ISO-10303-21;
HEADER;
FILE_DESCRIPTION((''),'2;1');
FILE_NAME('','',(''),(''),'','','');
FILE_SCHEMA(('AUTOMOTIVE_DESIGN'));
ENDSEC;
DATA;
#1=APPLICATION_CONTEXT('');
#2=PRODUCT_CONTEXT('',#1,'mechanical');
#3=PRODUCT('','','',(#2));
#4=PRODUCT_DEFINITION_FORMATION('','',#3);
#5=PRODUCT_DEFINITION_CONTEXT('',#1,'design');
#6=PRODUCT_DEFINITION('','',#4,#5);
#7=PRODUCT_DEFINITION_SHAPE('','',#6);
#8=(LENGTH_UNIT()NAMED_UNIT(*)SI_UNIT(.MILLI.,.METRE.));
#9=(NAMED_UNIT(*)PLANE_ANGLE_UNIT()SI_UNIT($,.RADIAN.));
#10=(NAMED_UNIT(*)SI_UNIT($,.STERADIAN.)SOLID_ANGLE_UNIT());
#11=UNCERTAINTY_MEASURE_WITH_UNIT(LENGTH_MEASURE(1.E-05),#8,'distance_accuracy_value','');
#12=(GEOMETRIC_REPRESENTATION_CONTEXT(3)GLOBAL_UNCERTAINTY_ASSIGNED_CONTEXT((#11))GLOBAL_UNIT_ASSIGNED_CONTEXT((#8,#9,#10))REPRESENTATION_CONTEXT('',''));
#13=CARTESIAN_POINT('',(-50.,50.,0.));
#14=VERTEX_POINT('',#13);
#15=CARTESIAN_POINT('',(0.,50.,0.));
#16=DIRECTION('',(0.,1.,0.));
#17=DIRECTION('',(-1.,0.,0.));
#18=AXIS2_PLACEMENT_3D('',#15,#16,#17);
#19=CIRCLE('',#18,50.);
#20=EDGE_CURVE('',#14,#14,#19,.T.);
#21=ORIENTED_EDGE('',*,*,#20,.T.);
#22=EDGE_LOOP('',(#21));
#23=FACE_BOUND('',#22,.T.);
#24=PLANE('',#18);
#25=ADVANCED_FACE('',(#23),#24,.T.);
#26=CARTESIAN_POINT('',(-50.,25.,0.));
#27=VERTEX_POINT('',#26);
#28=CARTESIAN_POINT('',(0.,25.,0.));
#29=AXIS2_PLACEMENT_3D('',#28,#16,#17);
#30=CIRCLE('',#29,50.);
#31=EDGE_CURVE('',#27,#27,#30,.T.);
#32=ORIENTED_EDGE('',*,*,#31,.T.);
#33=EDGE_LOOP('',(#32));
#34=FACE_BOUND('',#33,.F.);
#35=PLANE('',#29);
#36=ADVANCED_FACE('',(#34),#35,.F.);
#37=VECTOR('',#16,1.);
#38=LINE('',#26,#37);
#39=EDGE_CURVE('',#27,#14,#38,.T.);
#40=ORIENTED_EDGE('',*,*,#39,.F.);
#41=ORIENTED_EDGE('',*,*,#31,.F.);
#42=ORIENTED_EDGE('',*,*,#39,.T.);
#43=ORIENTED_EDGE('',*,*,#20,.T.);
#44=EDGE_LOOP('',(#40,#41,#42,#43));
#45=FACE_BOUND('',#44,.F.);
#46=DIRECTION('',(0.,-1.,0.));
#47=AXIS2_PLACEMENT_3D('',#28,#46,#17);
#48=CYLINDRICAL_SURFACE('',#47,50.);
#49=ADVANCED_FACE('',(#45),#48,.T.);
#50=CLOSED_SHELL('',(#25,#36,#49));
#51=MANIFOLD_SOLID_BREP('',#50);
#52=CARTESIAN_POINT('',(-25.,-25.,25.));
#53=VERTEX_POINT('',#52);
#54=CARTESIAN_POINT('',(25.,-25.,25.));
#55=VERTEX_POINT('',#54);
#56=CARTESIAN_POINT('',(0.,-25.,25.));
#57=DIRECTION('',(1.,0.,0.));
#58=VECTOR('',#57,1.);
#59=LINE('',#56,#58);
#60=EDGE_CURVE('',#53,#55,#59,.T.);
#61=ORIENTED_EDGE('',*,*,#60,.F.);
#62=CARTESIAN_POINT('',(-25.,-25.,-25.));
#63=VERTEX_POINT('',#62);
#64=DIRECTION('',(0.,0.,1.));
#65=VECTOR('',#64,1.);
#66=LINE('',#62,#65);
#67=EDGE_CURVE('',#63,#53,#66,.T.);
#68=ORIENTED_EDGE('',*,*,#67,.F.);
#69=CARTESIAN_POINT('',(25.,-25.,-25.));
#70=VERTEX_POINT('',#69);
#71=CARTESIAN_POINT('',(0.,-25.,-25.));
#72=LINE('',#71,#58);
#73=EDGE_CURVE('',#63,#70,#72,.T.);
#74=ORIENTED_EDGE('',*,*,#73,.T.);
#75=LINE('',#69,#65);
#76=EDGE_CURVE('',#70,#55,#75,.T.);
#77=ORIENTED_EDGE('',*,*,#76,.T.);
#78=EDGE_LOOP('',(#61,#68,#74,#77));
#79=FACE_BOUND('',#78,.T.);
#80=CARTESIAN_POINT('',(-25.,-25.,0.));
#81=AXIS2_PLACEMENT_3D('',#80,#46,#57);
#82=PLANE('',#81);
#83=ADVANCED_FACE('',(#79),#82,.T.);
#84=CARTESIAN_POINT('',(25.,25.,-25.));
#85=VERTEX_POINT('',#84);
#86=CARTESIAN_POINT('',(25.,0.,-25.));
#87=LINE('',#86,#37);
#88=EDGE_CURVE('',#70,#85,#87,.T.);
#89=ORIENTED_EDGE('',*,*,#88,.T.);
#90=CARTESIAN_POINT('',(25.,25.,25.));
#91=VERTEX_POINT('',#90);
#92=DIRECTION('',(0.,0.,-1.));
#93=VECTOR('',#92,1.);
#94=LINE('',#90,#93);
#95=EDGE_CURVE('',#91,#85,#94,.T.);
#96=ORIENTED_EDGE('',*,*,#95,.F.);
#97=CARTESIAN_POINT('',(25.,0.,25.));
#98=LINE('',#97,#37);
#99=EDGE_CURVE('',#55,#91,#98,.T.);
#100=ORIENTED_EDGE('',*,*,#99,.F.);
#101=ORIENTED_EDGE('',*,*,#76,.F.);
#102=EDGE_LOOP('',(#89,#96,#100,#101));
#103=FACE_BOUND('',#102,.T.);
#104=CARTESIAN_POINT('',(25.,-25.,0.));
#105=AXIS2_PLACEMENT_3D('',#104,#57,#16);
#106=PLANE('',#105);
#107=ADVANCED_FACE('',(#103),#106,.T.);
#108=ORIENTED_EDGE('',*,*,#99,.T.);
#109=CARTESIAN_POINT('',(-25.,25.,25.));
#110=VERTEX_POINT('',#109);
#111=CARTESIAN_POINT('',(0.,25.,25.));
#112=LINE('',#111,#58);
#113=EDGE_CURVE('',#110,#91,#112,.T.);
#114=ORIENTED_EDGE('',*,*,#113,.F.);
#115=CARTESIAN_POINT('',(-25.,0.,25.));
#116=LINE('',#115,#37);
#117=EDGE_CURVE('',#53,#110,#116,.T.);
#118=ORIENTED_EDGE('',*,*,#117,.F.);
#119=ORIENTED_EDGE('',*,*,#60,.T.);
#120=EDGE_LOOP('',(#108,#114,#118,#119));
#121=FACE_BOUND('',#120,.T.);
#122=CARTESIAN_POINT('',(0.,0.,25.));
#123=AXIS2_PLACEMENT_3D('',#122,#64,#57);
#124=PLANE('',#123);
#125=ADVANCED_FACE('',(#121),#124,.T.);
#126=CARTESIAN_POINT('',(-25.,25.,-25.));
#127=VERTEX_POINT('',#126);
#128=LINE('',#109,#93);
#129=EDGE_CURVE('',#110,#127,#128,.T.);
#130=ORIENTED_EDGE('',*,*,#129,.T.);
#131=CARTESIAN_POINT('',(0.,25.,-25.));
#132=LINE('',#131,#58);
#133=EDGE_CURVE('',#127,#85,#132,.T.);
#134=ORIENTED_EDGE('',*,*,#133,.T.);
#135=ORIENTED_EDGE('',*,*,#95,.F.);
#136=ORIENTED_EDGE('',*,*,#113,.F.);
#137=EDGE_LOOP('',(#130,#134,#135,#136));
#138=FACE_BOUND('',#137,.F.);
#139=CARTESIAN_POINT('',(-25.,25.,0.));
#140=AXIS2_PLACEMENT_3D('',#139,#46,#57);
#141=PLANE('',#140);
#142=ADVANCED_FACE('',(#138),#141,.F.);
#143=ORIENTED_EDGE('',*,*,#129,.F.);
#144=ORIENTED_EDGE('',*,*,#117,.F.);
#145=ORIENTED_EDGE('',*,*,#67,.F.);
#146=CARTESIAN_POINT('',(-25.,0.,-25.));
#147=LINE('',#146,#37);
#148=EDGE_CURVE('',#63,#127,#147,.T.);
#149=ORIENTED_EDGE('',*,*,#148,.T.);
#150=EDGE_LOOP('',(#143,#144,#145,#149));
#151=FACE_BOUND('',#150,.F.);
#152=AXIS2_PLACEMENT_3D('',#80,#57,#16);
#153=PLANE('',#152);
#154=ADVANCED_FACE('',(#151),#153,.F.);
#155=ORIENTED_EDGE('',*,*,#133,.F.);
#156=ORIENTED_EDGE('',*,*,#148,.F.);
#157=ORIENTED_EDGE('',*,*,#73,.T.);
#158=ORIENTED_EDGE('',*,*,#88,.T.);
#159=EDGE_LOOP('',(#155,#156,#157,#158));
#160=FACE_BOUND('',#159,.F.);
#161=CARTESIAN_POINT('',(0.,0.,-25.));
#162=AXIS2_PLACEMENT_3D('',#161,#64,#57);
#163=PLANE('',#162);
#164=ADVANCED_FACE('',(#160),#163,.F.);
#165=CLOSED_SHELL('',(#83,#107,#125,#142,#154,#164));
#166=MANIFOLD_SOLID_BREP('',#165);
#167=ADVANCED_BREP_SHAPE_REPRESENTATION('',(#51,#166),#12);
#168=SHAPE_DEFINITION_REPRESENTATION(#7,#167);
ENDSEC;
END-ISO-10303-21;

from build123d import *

# Parameters (mm, degrees)
F0_W     = 50
F0_H     = 50
F1_DEPTH = 25
F2_R     = 50
F3_DEPTH = 25


with BuildPart() as f1:
    # F0 (on Top) → F1 (new body, symmetric)
    with BuildSketch(Plane.XY):
        Rectangle(F0_W, F0_H)
    extrude(amount=F1_DEPTH, both=True)


with BuildPart() as f3:
    # F2 (on face) → F3 (new body)
    with BuildSketch(Plane(origin=(0, 25, 0), x_dir=(-1, 0, 0), z_dir=(0, 1, 0))):
        Circle(F2_R)
    extrude(amount=F3_DEPTH)


solid = Compound([f1.part, f3.part])
